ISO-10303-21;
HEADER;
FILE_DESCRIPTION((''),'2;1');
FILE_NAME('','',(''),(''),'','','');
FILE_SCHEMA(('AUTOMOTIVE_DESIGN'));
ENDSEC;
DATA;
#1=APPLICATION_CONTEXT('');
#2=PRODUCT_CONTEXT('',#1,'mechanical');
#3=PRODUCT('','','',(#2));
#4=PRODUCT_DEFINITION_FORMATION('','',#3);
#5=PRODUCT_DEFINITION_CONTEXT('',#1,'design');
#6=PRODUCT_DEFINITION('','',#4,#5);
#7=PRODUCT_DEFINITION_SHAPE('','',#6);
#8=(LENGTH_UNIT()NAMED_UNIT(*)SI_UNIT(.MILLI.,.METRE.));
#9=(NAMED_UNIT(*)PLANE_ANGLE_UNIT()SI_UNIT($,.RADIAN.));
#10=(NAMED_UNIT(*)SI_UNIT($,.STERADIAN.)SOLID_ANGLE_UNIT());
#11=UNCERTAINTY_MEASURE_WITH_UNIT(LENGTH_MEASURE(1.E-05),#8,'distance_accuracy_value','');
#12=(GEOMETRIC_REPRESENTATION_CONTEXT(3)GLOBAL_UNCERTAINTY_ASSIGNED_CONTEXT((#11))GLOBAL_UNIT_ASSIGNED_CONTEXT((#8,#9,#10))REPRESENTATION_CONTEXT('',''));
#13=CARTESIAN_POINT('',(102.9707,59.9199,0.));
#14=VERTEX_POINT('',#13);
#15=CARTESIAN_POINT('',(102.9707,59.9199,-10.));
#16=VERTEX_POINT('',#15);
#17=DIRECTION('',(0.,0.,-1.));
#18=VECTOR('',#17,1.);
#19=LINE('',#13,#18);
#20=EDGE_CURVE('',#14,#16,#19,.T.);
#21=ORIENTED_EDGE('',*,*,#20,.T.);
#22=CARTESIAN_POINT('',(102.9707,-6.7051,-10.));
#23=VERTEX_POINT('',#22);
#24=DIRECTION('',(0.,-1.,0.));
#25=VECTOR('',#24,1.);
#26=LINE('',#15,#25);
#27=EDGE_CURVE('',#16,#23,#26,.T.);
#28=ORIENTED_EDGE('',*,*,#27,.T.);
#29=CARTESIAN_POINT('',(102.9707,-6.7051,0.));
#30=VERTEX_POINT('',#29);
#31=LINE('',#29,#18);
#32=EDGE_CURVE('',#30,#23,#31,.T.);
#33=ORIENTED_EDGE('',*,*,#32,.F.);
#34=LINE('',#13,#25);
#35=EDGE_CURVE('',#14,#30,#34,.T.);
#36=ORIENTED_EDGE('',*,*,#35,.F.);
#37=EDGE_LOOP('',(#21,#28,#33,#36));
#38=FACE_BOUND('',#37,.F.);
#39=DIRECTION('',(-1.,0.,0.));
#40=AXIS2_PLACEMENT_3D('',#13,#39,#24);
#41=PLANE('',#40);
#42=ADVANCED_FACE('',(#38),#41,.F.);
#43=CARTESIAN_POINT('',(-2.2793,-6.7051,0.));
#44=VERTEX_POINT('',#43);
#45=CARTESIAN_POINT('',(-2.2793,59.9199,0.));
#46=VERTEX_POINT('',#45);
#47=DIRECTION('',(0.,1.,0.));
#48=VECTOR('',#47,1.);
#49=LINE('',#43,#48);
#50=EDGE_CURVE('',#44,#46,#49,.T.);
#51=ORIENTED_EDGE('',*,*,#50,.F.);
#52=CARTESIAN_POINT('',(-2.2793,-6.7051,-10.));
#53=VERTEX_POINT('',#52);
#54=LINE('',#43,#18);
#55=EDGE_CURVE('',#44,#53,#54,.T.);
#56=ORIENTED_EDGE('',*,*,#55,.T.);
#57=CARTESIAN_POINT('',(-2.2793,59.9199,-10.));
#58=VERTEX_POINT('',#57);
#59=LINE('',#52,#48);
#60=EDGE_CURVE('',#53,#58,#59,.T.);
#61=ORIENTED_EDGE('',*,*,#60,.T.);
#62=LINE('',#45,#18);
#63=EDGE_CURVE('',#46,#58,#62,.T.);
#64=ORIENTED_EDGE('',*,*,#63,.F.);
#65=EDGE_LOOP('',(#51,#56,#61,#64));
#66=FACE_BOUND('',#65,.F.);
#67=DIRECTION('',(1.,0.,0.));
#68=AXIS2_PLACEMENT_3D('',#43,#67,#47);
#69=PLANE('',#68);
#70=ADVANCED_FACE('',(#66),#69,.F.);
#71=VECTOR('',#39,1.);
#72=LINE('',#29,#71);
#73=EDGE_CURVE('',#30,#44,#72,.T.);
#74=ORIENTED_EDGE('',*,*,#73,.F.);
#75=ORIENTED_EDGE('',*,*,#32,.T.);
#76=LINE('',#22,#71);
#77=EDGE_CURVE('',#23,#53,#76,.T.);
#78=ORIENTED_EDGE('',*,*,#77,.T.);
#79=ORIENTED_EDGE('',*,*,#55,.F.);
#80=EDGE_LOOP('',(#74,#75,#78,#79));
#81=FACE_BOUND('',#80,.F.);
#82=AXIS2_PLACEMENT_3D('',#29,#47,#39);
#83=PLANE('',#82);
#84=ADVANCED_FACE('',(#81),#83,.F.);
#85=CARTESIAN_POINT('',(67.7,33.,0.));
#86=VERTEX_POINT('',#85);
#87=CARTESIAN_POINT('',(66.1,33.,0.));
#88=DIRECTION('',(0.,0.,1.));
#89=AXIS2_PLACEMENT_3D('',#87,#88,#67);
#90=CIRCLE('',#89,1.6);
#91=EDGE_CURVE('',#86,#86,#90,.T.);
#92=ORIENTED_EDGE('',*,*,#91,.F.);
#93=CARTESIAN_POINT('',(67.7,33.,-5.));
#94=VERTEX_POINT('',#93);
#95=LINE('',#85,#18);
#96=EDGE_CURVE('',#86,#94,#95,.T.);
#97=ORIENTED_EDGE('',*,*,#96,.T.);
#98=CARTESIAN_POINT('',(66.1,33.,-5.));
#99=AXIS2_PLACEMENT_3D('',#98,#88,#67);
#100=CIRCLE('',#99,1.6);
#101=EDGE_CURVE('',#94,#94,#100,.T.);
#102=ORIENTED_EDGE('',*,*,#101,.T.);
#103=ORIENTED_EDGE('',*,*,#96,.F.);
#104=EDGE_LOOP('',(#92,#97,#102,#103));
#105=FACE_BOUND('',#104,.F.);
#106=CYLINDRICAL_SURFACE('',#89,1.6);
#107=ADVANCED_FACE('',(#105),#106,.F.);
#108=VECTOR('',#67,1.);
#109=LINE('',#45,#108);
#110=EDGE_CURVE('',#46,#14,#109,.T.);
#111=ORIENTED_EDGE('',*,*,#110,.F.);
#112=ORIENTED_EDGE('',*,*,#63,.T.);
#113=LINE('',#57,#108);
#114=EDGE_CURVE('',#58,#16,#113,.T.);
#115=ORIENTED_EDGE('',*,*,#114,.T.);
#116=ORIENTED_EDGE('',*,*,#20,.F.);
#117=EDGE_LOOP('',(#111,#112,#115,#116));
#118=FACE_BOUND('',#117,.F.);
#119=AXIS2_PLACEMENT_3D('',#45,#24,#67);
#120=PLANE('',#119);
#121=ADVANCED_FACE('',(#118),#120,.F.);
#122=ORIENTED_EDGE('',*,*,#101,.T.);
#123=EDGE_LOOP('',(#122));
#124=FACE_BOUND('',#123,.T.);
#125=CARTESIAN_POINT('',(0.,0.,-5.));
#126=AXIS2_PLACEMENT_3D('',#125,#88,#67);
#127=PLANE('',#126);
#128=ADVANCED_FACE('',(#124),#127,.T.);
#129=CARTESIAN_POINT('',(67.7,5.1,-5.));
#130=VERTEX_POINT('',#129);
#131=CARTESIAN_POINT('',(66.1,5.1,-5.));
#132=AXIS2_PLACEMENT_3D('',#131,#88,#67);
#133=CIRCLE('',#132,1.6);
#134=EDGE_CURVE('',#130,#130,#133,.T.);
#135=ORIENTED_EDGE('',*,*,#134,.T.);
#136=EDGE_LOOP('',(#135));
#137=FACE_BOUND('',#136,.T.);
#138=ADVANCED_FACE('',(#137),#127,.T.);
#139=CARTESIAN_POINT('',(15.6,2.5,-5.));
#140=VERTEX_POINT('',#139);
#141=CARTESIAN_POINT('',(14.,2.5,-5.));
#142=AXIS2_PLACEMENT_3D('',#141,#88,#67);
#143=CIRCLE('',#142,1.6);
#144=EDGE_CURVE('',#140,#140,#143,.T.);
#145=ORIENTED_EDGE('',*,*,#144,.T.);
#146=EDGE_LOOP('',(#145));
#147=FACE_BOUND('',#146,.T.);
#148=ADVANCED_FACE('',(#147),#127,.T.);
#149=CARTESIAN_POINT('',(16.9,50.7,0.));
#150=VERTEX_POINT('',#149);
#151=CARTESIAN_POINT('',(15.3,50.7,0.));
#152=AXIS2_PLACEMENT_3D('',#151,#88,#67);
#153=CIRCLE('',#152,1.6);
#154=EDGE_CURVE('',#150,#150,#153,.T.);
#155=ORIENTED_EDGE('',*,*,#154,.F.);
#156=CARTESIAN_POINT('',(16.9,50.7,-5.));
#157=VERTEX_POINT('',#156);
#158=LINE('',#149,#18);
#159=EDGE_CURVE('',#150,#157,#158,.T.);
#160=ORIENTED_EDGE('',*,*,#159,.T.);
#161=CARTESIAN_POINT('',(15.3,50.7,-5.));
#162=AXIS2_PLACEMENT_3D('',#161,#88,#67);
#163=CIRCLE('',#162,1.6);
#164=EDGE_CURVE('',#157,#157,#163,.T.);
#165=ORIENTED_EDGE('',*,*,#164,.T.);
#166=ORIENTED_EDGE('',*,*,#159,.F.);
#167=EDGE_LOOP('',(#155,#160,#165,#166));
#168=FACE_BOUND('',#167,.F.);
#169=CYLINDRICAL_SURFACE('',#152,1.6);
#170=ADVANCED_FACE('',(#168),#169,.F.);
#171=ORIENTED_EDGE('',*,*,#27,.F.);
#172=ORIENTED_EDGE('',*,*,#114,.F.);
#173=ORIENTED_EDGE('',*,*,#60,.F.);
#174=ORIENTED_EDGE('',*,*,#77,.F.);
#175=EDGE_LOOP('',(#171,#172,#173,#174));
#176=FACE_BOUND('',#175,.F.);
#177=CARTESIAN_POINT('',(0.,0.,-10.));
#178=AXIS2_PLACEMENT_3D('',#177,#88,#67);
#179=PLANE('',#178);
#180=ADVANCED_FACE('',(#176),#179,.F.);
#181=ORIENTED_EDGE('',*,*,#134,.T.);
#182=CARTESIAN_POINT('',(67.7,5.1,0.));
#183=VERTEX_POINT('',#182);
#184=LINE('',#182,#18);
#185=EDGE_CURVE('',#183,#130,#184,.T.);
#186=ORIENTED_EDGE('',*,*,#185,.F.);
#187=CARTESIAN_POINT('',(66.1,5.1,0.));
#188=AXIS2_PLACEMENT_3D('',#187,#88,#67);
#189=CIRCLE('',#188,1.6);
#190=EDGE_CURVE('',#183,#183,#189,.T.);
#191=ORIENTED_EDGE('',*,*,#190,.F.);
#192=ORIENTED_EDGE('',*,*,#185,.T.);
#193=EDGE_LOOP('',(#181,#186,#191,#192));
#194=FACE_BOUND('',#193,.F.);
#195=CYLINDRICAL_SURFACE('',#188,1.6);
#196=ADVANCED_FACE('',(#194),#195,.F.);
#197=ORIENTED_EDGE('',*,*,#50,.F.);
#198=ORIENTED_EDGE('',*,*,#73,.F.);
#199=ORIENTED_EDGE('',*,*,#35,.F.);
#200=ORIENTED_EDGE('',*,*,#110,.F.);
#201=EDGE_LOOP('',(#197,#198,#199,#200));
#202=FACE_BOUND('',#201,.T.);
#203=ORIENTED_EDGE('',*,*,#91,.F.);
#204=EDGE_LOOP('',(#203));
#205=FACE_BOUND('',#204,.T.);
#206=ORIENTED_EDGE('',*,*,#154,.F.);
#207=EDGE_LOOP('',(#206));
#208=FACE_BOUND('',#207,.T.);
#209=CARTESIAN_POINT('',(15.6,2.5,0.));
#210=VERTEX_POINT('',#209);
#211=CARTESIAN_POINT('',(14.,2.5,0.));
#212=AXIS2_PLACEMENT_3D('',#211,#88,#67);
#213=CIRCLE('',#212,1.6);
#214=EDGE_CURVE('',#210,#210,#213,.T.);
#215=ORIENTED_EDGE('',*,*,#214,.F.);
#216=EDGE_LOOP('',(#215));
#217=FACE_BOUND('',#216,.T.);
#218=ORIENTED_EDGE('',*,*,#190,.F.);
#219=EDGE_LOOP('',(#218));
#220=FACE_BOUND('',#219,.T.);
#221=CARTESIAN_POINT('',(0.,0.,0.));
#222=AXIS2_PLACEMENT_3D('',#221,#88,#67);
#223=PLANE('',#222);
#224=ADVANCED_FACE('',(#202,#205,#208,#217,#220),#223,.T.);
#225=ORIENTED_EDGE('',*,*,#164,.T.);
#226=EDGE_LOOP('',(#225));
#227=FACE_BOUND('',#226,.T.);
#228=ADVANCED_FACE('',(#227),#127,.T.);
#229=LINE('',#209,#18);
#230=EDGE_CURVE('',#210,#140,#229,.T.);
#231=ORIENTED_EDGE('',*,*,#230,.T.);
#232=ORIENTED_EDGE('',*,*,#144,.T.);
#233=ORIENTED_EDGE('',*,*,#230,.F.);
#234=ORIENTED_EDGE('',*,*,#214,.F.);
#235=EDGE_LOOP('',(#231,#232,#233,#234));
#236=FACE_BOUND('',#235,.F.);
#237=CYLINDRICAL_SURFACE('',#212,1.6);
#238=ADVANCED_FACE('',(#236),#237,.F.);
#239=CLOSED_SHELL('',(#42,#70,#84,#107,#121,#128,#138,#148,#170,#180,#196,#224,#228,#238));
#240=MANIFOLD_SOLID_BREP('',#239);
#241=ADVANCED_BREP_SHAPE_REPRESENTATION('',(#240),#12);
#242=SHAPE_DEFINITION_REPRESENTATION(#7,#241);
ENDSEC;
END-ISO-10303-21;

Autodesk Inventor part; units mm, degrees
ref_plane "YZ Plane" through (0, 0, 0) normal (1, 0, 0) x (0, 1, 0)
ref_plane "XZ Plane" through (0, 0, 0) normal (0, 1, 0) x (-1, 0, 0)
ref_plane "XY Plane" through (0, 0, 0) normal (0, 0, 1) x (1, 0, 0)
sketch "Arduino Uno" plane through (0, 0, 0) normal (0, 0, 1) x (1, 0, 0)
  line L0 (0, 0) -> (68.6, 0)
  line L1 (68.6, 0) -> (68.6, 53.3)
  line L2 (68.6, 53.3) -> (0, 53.3)
  line L3 (0, 53.3) -> (0, 0)
  circle A0 centre (14, 2.5) radius 1.6
  circle A1 centre (15.3, 50.7) radius 1.6
  circle A2 centre (66.1, 5.1) radius 1.6
  circle A3 centre (66.1, 33) radius 1.6
  dimension "d6" = 68.6
  dimension "d7" = 53.3
  dimension "d8" = 3.2
  dimension "d12" = 14
  dimension "d13" = 2.5
  dimension "d14" = 3.2
  dimension "d15" = 1.3
  dimension "d16" = 3.2
  dimension "d18" = 2.5
  dimension "d19" = 5.1
  dimension "d20" = 3.2
  dimension "d21" = 27.9
  dimension "d22" = 2.5
  dimension "d26" = 2.6
sketch "Sketch2" plane through (0, 0, 0) normal (0, 0, 1) x (1, 0, 0)
  line L0 (0, 0) -> (8, 0)
  line L1 (-2.2793, -6.7051) -> (-2.2793, 59.9199)
  line L2 (-2.2793, 59.9199) -> (102.9707, 59.9199)
  line L3 (102.9707, 59.9199) -> (102.9707, -6.7051)
  line L4 (102.9707, -6.7051) -> (-2.2793, -6.7051)
  dimension "d27" = 8
  dimension "d28" = 66.625
  dimension "d29" = 105.25
extrude "Back Plate" add sketch "Sketch2" against normal blind 10
extrude "Uno Mounting Holes" cut sketch "Arduino Uno" against normal blind 5 contours A0 | A1 | A2 | A3
properties part number "Back Plate test01"
